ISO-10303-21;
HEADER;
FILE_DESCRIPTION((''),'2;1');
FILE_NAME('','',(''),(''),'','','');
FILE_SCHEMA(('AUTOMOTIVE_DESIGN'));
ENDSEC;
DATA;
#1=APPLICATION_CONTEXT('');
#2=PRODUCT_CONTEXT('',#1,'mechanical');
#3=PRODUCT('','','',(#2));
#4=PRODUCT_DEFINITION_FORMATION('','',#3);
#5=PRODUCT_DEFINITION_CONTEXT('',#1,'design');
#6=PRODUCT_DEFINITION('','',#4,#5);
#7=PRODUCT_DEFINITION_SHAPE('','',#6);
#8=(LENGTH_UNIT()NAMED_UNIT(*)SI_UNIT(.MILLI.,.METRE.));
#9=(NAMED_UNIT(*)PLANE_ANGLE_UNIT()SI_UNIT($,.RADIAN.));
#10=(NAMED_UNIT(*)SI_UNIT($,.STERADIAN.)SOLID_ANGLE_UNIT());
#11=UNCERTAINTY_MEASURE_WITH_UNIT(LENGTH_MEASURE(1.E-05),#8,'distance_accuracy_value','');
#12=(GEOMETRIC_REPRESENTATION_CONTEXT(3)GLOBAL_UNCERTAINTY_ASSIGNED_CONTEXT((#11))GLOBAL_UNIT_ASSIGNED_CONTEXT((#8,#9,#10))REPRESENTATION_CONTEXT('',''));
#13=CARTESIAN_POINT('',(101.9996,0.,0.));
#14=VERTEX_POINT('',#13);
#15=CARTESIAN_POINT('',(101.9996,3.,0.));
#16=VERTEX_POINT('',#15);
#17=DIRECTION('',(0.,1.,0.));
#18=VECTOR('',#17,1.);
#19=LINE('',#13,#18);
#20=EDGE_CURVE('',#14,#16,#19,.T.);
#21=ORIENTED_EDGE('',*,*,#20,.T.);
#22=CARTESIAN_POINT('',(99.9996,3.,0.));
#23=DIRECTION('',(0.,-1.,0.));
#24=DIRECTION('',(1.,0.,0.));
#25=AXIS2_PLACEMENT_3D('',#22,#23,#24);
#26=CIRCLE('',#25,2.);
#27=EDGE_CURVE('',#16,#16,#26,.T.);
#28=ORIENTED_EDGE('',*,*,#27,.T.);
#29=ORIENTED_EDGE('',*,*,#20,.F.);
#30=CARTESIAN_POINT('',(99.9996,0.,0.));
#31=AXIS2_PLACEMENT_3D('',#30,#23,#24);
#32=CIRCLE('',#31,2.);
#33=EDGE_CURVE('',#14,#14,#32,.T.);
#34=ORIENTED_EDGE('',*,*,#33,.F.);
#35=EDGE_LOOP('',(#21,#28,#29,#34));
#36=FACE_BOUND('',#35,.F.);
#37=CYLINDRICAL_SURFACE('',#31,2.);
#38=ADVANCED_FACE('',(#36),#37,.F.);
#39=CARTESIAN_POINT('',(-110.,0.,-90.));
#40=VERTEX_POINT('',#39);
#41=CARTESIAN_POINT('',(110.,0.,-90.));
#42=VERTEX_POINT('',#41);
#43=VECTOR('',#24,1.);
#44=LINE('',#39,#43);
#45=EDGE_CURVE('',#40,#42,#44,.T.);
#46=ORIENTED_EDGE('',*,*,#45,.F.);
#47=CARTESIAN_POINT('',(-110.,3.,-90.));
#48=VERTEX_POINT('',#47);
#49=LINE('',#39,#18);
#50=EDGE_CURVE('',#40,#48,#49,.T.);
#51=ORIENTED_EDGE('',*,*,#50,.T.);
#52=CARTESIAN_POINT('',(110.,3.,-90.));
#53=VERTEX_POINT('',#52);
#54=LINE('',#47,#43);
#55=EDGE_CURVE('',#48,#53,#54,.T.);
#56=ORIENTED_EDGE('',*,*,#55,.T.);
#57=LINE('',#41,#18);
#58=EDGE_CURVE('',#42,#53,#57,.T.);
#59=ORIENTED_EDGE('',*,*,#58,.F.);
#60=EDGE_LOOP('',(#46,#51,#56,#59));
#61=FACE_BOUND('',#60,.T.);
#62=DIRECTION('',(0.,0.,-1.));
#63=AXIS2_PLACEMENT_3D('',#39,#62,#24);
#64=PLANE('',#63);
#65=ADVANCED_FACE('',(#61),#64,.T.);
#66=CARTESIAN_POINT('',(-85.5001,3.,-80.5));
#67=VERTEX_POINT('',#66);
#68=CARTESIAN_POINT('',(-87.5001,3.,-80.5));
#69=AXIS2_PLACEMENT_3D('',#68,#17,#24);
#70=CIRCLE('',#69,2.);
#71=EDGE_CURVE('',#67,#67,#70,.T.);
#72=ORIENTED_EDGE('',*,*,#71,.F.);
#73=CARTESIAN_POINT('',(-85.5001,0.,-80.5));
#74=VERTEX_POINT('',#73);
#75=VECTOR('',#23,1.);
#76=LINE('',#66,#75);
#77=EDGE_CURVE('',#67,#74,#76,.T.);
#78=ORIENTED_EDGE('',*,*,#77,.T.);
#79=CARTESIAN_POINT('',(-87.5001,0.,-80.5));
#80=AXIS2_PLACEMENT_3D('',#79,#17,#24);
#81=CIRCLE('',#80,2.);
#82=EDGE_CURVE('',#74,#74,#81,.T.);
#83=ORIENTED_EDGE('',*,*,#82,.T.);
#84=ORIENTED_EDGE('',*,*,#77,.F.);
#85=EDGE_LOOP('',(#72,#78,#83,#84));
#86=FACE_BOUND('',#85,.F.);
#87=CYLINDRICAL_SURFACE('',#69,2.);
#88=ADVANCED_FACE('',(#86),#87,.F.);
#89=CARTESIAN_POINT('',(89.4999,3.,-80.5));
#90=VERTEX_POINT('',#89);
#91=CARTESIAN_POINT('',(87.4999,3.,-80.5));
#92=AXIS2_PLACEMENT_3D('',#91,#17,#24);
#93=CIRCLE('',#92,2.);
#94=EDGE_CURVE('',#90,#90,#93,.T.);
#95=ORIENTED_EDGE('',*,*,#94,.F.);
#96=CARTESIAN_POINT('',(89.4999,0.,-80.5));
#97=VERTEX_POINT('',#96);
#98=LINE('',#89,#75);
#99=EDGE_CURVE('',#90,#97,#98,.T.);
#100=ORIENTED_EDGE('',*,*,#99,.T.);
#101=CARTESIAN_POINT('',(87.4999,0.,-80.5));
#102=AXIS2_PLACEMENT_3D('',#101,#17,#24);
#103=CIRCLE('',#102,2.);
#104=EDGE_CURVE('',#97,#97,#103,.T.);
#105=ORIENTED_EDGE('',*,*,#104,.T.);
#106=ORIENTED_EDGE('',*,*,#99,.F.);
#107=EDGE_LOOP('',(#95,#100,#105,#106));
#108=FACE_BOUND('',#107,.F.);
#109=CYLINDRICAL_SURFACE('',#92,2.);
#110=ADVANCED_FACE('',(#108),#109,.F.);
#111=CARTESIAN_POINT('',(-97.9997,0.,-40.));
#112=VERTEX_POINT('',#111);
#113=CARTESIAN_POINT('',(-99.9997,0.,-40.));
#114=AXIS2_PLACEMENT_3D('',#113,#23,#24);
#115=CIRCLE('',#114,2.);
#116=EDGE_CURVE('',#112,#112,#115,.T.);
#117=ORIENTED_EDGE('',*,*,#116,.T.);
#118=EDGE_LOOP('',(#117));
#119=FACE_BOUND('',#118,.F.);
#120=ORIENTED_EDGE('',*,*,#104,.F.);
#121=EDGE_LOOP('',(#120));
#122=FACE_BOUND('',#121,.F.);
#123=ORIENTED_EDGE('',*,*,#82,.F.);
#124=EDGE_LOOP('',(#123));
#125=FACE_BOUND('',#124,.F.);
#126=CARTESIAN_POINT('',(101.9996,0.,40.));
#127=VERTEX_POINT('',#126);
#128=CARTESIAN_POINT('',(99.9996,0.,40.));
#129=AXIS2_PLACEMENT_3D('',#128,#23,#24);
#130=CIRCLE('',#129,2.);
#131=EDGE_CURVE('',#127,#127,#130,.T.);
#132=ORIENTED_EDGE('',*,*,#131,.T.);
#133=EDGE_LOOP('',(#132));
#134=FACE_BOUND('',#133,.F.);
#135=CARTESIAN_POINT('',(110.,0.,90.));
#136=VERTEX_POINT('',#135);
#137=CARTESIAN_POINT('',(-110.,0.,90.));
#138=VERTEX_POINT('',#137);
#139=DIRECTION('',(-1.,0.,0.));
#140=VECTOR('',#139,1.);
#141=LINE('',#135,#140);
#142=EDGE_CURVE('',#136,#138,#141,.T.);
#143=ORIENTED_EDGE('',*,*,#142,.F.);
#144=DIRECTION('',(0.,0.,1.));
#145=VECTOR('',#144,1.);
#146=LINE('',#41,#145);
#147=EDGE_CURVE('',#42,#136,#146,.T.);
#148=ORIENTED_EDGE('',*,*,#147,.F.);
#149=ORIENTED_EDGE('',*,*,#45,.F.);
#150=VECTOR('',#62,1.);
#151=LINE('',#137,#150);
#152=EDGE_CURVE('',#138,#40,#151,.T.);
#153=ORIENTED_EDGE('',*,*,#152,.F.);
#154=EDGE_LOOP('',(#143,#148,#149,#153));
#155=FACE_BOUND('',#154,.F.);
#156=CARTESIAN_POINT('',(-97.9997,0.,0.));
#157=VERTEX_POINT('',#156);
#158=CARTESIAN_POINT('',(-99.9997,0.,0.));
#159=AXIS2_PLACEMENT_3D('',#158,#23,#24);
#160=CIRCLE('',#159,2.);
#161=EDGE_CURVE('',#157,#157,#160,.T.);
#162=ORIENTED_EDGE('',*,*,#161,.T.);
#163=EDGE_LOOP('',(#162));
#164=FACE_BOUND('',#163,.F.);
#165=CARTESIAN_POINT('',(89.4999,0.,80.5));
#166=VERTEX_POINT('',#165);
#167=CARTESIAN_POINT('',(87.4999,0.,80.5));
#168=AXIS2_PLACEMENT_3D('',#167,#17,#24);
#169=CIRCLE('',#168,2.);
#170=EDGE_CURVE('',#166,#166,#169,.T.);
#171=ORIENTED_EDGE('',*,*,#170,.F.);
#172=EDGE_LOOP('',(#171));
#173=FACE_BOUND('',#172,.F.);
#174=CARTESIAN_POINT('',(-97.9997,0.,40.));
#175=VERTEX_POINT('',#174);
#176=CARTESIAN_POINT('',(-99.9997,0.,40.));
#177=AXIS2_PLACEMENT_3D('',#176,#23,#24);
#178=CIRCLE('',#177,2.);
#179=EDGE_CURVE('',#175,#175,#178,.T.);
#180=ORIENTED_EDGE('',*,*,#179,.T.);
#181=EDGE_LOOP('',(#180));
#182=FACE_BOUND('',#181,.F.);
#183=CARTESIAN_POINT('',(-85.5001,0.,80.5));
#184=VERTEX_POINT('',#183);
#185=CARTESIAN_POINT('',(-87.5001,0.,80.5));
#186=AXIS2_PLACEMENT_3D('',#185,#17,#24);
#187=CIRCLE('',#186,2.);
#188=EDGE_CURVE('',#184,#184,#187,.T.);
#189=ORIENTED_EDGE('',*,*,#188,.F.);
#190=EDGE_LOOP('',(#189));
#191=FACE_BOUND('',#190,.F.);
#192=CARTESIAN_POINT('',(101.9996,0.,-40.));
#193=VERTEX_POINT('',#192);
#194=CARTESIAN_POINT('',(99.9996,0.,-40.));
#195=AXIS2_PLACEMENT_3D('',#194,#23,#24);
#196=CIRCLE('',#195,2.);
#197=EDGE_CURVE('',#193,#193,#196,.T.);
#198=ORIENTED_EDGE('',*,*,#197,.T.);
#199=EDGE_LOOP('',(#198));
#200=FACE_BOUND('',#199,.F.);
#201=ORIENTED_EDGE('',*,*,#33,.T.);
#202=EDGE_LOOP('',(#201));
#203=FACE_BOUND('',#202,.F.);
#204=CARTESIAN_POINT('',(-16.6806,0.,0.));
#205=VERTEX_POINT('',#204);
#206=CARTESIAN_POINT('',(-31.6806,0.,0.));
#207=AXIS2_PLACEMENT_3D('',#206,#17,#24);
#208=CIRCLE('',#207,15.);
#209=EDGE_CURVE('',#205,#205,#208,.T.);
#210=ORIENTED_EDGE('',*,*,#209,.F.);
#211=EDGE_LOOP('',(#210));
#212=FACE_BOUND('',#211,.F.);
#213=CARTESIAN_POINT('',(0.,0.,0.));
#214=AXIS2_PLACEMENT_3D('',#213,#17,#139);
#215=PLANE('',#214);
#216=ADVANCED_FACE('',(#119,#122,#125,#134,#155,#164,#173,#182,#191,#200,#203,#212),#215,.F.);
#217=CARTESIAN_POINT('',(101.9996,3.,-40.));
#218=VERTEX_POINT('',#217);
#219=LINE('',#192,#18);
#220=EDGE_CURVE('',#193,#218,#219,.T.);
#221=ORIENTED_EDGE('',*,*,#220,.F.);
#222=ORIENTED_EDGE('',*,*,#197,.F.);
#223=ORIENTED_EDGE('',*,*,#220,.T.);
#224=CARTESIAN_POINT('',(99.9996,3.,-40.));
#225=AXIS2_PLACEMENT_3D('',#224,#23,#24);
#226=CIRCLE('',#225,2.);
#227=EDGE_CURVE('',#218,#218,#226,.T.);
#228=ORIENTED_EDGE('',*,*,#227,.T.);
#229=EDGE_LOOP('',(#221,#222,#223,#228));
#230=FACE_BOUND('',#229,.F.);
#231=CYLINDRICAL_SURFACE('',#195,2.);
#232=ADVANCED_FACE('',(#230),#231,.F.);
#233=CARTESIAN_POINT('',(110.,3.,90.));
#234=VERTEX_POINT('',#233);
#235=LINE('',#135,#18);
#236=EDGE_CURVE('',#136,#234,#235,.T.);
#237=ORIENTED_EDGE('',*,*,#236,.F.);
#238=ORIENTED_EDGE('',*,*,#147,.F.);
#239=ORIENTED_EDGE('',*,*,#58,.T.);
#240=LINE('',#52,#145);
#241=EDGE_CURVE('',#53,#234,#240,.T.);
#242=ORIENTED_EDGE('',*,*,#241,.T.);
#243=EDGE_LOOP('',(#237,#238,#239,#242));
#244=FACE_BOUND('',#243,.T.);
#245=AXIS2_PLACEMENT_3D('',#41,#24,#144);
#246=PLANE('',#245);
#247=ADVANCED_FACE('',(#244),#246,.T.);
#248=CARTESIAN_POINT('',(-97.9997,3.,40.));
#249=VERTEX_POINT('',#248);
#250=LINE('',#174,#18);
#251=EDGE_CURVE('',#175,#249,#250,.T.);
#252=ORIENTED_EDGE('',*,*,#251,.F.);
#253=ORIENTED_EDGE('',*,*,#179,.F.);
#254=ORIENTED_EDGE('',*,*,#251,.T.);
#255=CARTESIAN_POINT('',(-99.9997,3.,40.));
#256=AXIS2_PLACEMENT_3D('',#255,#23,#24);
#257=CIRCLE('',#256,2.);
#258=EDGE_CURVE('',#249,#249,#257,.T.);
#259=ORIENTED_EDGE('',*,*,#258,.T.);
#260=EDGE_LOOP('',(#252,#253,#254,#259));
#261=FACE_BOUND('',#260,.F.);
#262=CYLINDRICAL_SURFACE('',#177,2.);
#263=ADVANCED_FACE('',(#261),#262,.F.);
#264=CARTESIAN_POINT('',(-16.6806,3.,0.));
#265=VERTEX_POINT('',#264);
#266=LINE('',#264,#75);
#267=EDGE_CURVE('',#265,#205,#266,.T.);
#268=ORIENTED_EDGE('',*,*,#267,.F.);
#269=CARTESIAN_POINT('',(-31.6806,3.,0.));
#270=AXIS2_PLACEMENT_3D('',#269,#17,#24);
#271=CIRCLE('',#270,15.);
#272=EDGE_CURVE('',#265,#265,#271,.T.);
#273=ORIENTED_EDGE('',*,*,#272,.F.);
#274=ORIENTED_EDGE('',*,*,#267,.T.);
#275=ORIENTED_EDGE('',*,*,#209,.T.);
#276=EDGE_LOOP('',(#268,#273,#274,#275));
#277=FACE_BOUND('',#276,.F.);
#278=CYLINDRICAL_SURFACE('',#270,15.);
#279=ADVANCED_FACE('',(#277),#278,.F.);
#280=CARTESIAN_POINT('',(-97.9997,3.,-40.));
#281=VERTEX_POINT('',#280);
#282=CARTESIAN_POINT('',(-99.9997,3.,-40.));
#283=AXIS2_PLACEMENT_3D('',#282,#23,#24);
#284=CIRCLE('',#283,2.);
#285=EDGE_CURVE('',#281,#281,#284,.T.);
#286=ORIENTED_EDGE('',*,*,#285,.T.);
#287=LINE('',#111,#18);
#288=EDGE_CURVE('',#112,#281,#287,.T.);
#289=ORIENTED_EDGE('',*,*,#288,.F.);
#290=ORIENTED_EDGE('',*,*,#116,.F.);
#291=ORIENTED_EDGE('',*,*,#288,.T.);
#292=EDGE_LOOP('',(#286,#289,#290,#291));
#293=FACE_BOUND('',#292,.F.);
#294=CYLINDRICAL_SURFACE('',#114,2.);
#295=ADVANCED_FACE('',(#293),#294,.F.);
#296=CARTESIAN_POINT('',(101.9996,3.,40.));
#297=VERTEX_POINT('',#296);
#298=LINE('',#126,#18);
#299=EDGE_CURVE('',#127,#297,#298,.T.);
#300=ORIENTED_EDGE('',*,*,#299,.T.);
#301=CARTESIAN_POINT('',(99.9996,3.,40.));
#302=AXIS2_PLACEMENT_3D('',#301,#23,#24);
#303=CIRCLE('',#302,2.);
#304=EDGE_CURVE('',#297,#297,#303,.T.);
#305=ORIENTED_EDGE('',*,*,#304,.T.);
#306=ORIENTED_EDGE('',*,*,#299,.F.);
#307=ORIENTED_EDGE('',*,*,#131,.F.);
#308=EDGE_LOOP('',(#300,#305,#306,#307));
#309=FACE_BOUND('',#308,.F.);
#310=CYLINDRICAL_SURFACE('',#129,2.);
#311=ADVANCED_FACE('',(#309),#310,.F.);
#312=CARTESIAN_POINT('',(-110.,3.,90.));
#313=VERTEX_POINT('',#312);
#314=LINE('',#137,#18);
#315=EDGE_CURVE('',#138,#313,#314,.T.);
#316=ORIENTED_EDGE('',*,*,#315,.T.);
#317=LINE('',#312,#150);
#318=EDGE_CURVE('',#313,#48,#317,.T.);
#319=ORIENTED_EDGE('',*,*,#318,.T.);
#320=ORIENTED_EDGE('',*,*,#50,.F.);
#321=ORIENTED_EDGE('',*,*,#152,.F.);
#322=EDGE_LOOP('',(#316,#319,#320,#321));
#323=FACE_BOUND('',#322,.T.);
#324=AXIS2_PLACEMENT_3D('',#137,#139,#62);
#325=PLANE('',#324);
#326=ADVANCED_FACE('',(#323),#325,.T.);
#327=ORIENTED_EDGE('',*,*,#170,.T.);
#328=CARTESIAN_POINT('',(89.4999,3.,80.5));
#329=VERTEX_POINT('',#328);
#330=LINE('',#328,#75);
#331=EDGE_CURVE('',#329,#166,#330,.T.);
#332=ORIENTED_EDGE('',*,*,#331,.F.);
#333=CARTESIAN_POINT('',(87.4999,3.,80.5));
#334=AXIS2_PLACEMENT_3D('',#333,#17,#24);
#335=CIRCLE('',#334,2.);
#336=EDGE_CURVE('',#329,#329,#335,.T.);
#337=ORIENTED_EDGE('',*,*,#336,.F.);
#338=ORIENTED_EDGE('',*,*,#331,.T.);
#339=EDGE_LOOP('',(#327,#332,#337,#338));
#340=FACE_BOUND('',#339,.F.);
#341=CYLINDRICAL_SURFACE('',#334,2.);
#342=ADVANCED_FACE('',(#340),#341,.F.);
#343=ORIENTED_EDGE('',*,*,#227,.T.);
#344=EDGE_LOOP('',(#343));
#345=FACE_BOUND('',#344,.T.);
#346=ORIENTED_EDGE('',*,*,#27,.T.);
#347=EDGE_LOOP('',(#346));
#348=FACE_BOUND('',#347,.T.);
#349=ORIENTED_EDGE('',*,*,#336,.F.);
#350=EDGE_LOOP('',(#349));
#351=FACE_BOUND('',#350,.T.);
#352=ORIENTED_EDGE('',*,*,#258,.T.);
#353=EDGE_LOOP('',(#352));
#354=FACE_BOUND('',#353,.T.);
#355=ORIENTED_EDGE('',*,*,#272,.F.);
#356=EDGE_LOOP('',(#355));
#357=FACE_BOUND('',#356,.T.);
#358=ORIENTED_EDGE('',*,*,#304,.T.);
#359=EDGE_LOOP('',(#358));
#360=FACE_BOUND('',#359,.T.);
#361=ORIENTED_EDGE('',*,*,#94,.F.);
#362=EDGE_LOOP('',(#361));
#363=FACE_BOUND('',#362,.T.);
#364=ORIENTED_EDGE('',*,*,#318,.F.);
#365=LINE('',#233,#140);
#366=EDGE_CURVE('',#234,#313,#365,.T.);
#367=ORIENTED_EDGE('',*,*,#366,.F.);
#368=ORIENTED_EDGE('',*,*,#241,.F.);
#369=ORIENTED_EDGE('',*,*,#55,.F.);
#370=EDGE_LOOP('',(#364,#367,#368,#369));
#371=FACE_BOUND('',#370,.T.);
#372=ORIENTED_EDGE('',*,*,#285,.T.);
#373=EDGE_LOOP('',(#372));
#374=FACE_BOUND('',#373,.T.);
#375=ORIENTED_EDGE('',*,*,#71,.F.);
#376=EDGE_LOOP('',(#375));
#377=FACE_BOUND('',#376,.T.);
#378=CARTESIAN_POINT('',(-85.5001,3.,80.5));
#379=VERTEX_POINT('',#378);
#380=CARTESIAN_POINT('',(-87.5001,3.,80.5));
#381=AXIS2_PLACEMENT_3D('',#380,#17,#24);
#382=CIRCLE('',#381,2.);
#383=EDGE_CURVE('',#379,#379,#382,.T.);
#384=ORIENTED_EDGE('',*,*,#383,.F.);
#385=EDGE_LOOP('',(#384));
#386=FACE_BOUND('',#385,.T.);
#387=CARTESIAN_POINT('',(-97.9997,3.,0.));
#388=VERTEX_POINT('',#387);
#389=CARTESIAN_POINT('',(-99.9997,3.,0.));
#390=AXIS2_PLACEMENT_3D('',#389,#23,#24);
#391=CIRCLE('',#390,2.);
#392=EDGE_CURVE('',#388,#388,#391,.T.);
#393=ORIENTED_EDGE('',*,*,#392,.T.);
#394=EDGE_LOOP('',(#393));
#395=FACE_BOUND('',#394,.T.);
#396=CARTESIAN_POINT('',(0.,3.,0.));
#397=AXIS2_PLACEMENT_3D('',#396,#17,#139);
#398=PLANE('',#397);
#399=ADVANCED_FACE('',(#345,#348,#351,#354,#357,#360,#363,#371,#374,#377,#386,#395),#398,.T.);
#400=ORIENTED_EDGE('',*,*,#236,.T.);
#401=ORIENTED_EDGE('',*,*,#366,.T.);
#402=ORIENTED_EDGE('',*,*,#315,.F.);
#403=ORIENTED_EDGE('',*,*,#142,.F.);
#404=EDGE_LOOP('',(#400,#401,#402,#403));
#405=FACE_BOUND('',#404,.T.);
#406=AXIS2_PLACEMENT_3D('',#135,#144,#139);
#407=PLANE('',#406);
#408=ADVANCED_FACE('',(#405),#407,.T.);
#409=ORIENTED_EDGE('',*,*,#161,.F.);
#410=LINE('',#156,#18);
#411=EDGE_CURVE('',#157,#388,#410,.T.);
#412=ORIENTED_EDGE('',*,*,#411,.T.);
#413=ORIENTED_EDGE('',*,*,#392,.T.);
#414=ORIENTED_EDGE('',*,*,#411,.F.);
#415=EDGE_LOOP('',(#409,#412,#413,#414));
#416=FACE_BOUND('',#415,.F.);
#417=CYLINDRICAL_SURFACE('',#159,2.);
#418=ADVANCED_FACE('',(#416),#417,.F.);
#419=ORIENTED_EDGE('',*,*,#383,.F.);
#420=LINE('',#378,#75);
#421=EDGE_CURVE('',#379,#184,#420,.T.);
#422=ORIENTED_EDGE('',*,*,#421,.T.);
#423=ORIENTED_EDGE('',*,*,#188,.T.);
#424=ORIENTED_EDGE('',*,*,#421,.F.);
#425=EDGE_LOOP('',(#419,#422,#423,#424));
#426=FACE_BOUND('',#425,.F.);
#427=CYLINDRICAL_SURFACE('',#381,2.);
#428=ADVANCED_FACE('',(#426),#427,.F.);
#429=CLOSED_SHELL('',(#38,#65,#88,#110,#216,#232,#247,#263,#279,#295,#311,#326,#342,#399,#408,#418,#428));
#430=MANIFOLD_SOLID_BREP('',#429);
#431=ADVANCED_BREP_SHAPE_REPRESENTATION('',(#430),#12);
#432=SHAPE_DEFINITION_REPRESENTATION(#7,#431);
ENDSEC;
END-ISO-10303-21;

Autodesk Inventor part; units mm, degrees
ref_plane "YZ Plane" through (0, 0, 0) normal (1, 0, 0) x (0, 1, 0)
ref_plane "XZ Plane" through (0, 0, 0) normal (0, 1, 0) x (-1, 0, 0)
ref_plane "XY Plane" through (0, 0, 0) normal (0, 0, 1) x (1, 0, 0)
sketch "Эскиз1" plane through (0, 0, 0) normal (0, 1, 0) x (-1, 0, 0)
  line L0 (-110, 90) -> (110, 90)
  line L1 (110, 90) -> (110, -90)
  line L2 (110, -90) -> (-110, -90)
  line L3 (-110, -90) -> (-110, 90)
  line L4 (-110, 90) -> (110, -90) construction
  line L5 (110, 90) -> (-110, -90) construction
  point P0 (0, 0)
  dimension "d0" = 220
  dimension "d1" = 180
extrude "Выдавливание1" add sketch "Эскиз1" along normal blind 3
sketch "Эскиз2" plane through (0, 0, 0) normal (0, -1, 0) x (1, 0, 0)
  circle A0 centre (99.9996, -40) radius 2 projected
  circle A1 centre (99.9996, 0) radius 2 projected
  circle A2 centre (99.9996, 40) radius 2 projected
  circle A3 centre (-99.9997, 0) radius 2 projected
  circle A4 centre (-99.9997, -40) radius 2 projected
  circle A5 centre (-99.9997, 40) radius 2 projected
  point P0 (0, 0)
extrude "Выдавливание2" cut sketch "Эскиз2" against normal blind 3
sketch "Эскиз3" plane through (0, 3, 0) normal (0, 1, 0) x (1, 0, 0)
  circle A0 centre (87.4999, 80.5) radius 2 projected
  circle A1 centre (-87.5001, 80.5) radius 2 projected
  circle A2 centre (-87.5001, -80.5) radius 2 projected
  circle A3 centre (87.4999, -80.5) radius 2 projected
  point P0 (0, 0)
extrude "Выдавливание3" cut sketch "Эскиз3" against normal blind 10
sketch "Эскиз4" plane through (0, 3, 0) normal (0, 1, 0) x (1, 0, 0)
  circle A0 centre (-31.6806, 0) radius 15 projected
  point P0 (0, 0)
extrude "Выдавливание4" cut sketch "Эскиз4" against normal blind 10
properties part number "000.003 - cap"
